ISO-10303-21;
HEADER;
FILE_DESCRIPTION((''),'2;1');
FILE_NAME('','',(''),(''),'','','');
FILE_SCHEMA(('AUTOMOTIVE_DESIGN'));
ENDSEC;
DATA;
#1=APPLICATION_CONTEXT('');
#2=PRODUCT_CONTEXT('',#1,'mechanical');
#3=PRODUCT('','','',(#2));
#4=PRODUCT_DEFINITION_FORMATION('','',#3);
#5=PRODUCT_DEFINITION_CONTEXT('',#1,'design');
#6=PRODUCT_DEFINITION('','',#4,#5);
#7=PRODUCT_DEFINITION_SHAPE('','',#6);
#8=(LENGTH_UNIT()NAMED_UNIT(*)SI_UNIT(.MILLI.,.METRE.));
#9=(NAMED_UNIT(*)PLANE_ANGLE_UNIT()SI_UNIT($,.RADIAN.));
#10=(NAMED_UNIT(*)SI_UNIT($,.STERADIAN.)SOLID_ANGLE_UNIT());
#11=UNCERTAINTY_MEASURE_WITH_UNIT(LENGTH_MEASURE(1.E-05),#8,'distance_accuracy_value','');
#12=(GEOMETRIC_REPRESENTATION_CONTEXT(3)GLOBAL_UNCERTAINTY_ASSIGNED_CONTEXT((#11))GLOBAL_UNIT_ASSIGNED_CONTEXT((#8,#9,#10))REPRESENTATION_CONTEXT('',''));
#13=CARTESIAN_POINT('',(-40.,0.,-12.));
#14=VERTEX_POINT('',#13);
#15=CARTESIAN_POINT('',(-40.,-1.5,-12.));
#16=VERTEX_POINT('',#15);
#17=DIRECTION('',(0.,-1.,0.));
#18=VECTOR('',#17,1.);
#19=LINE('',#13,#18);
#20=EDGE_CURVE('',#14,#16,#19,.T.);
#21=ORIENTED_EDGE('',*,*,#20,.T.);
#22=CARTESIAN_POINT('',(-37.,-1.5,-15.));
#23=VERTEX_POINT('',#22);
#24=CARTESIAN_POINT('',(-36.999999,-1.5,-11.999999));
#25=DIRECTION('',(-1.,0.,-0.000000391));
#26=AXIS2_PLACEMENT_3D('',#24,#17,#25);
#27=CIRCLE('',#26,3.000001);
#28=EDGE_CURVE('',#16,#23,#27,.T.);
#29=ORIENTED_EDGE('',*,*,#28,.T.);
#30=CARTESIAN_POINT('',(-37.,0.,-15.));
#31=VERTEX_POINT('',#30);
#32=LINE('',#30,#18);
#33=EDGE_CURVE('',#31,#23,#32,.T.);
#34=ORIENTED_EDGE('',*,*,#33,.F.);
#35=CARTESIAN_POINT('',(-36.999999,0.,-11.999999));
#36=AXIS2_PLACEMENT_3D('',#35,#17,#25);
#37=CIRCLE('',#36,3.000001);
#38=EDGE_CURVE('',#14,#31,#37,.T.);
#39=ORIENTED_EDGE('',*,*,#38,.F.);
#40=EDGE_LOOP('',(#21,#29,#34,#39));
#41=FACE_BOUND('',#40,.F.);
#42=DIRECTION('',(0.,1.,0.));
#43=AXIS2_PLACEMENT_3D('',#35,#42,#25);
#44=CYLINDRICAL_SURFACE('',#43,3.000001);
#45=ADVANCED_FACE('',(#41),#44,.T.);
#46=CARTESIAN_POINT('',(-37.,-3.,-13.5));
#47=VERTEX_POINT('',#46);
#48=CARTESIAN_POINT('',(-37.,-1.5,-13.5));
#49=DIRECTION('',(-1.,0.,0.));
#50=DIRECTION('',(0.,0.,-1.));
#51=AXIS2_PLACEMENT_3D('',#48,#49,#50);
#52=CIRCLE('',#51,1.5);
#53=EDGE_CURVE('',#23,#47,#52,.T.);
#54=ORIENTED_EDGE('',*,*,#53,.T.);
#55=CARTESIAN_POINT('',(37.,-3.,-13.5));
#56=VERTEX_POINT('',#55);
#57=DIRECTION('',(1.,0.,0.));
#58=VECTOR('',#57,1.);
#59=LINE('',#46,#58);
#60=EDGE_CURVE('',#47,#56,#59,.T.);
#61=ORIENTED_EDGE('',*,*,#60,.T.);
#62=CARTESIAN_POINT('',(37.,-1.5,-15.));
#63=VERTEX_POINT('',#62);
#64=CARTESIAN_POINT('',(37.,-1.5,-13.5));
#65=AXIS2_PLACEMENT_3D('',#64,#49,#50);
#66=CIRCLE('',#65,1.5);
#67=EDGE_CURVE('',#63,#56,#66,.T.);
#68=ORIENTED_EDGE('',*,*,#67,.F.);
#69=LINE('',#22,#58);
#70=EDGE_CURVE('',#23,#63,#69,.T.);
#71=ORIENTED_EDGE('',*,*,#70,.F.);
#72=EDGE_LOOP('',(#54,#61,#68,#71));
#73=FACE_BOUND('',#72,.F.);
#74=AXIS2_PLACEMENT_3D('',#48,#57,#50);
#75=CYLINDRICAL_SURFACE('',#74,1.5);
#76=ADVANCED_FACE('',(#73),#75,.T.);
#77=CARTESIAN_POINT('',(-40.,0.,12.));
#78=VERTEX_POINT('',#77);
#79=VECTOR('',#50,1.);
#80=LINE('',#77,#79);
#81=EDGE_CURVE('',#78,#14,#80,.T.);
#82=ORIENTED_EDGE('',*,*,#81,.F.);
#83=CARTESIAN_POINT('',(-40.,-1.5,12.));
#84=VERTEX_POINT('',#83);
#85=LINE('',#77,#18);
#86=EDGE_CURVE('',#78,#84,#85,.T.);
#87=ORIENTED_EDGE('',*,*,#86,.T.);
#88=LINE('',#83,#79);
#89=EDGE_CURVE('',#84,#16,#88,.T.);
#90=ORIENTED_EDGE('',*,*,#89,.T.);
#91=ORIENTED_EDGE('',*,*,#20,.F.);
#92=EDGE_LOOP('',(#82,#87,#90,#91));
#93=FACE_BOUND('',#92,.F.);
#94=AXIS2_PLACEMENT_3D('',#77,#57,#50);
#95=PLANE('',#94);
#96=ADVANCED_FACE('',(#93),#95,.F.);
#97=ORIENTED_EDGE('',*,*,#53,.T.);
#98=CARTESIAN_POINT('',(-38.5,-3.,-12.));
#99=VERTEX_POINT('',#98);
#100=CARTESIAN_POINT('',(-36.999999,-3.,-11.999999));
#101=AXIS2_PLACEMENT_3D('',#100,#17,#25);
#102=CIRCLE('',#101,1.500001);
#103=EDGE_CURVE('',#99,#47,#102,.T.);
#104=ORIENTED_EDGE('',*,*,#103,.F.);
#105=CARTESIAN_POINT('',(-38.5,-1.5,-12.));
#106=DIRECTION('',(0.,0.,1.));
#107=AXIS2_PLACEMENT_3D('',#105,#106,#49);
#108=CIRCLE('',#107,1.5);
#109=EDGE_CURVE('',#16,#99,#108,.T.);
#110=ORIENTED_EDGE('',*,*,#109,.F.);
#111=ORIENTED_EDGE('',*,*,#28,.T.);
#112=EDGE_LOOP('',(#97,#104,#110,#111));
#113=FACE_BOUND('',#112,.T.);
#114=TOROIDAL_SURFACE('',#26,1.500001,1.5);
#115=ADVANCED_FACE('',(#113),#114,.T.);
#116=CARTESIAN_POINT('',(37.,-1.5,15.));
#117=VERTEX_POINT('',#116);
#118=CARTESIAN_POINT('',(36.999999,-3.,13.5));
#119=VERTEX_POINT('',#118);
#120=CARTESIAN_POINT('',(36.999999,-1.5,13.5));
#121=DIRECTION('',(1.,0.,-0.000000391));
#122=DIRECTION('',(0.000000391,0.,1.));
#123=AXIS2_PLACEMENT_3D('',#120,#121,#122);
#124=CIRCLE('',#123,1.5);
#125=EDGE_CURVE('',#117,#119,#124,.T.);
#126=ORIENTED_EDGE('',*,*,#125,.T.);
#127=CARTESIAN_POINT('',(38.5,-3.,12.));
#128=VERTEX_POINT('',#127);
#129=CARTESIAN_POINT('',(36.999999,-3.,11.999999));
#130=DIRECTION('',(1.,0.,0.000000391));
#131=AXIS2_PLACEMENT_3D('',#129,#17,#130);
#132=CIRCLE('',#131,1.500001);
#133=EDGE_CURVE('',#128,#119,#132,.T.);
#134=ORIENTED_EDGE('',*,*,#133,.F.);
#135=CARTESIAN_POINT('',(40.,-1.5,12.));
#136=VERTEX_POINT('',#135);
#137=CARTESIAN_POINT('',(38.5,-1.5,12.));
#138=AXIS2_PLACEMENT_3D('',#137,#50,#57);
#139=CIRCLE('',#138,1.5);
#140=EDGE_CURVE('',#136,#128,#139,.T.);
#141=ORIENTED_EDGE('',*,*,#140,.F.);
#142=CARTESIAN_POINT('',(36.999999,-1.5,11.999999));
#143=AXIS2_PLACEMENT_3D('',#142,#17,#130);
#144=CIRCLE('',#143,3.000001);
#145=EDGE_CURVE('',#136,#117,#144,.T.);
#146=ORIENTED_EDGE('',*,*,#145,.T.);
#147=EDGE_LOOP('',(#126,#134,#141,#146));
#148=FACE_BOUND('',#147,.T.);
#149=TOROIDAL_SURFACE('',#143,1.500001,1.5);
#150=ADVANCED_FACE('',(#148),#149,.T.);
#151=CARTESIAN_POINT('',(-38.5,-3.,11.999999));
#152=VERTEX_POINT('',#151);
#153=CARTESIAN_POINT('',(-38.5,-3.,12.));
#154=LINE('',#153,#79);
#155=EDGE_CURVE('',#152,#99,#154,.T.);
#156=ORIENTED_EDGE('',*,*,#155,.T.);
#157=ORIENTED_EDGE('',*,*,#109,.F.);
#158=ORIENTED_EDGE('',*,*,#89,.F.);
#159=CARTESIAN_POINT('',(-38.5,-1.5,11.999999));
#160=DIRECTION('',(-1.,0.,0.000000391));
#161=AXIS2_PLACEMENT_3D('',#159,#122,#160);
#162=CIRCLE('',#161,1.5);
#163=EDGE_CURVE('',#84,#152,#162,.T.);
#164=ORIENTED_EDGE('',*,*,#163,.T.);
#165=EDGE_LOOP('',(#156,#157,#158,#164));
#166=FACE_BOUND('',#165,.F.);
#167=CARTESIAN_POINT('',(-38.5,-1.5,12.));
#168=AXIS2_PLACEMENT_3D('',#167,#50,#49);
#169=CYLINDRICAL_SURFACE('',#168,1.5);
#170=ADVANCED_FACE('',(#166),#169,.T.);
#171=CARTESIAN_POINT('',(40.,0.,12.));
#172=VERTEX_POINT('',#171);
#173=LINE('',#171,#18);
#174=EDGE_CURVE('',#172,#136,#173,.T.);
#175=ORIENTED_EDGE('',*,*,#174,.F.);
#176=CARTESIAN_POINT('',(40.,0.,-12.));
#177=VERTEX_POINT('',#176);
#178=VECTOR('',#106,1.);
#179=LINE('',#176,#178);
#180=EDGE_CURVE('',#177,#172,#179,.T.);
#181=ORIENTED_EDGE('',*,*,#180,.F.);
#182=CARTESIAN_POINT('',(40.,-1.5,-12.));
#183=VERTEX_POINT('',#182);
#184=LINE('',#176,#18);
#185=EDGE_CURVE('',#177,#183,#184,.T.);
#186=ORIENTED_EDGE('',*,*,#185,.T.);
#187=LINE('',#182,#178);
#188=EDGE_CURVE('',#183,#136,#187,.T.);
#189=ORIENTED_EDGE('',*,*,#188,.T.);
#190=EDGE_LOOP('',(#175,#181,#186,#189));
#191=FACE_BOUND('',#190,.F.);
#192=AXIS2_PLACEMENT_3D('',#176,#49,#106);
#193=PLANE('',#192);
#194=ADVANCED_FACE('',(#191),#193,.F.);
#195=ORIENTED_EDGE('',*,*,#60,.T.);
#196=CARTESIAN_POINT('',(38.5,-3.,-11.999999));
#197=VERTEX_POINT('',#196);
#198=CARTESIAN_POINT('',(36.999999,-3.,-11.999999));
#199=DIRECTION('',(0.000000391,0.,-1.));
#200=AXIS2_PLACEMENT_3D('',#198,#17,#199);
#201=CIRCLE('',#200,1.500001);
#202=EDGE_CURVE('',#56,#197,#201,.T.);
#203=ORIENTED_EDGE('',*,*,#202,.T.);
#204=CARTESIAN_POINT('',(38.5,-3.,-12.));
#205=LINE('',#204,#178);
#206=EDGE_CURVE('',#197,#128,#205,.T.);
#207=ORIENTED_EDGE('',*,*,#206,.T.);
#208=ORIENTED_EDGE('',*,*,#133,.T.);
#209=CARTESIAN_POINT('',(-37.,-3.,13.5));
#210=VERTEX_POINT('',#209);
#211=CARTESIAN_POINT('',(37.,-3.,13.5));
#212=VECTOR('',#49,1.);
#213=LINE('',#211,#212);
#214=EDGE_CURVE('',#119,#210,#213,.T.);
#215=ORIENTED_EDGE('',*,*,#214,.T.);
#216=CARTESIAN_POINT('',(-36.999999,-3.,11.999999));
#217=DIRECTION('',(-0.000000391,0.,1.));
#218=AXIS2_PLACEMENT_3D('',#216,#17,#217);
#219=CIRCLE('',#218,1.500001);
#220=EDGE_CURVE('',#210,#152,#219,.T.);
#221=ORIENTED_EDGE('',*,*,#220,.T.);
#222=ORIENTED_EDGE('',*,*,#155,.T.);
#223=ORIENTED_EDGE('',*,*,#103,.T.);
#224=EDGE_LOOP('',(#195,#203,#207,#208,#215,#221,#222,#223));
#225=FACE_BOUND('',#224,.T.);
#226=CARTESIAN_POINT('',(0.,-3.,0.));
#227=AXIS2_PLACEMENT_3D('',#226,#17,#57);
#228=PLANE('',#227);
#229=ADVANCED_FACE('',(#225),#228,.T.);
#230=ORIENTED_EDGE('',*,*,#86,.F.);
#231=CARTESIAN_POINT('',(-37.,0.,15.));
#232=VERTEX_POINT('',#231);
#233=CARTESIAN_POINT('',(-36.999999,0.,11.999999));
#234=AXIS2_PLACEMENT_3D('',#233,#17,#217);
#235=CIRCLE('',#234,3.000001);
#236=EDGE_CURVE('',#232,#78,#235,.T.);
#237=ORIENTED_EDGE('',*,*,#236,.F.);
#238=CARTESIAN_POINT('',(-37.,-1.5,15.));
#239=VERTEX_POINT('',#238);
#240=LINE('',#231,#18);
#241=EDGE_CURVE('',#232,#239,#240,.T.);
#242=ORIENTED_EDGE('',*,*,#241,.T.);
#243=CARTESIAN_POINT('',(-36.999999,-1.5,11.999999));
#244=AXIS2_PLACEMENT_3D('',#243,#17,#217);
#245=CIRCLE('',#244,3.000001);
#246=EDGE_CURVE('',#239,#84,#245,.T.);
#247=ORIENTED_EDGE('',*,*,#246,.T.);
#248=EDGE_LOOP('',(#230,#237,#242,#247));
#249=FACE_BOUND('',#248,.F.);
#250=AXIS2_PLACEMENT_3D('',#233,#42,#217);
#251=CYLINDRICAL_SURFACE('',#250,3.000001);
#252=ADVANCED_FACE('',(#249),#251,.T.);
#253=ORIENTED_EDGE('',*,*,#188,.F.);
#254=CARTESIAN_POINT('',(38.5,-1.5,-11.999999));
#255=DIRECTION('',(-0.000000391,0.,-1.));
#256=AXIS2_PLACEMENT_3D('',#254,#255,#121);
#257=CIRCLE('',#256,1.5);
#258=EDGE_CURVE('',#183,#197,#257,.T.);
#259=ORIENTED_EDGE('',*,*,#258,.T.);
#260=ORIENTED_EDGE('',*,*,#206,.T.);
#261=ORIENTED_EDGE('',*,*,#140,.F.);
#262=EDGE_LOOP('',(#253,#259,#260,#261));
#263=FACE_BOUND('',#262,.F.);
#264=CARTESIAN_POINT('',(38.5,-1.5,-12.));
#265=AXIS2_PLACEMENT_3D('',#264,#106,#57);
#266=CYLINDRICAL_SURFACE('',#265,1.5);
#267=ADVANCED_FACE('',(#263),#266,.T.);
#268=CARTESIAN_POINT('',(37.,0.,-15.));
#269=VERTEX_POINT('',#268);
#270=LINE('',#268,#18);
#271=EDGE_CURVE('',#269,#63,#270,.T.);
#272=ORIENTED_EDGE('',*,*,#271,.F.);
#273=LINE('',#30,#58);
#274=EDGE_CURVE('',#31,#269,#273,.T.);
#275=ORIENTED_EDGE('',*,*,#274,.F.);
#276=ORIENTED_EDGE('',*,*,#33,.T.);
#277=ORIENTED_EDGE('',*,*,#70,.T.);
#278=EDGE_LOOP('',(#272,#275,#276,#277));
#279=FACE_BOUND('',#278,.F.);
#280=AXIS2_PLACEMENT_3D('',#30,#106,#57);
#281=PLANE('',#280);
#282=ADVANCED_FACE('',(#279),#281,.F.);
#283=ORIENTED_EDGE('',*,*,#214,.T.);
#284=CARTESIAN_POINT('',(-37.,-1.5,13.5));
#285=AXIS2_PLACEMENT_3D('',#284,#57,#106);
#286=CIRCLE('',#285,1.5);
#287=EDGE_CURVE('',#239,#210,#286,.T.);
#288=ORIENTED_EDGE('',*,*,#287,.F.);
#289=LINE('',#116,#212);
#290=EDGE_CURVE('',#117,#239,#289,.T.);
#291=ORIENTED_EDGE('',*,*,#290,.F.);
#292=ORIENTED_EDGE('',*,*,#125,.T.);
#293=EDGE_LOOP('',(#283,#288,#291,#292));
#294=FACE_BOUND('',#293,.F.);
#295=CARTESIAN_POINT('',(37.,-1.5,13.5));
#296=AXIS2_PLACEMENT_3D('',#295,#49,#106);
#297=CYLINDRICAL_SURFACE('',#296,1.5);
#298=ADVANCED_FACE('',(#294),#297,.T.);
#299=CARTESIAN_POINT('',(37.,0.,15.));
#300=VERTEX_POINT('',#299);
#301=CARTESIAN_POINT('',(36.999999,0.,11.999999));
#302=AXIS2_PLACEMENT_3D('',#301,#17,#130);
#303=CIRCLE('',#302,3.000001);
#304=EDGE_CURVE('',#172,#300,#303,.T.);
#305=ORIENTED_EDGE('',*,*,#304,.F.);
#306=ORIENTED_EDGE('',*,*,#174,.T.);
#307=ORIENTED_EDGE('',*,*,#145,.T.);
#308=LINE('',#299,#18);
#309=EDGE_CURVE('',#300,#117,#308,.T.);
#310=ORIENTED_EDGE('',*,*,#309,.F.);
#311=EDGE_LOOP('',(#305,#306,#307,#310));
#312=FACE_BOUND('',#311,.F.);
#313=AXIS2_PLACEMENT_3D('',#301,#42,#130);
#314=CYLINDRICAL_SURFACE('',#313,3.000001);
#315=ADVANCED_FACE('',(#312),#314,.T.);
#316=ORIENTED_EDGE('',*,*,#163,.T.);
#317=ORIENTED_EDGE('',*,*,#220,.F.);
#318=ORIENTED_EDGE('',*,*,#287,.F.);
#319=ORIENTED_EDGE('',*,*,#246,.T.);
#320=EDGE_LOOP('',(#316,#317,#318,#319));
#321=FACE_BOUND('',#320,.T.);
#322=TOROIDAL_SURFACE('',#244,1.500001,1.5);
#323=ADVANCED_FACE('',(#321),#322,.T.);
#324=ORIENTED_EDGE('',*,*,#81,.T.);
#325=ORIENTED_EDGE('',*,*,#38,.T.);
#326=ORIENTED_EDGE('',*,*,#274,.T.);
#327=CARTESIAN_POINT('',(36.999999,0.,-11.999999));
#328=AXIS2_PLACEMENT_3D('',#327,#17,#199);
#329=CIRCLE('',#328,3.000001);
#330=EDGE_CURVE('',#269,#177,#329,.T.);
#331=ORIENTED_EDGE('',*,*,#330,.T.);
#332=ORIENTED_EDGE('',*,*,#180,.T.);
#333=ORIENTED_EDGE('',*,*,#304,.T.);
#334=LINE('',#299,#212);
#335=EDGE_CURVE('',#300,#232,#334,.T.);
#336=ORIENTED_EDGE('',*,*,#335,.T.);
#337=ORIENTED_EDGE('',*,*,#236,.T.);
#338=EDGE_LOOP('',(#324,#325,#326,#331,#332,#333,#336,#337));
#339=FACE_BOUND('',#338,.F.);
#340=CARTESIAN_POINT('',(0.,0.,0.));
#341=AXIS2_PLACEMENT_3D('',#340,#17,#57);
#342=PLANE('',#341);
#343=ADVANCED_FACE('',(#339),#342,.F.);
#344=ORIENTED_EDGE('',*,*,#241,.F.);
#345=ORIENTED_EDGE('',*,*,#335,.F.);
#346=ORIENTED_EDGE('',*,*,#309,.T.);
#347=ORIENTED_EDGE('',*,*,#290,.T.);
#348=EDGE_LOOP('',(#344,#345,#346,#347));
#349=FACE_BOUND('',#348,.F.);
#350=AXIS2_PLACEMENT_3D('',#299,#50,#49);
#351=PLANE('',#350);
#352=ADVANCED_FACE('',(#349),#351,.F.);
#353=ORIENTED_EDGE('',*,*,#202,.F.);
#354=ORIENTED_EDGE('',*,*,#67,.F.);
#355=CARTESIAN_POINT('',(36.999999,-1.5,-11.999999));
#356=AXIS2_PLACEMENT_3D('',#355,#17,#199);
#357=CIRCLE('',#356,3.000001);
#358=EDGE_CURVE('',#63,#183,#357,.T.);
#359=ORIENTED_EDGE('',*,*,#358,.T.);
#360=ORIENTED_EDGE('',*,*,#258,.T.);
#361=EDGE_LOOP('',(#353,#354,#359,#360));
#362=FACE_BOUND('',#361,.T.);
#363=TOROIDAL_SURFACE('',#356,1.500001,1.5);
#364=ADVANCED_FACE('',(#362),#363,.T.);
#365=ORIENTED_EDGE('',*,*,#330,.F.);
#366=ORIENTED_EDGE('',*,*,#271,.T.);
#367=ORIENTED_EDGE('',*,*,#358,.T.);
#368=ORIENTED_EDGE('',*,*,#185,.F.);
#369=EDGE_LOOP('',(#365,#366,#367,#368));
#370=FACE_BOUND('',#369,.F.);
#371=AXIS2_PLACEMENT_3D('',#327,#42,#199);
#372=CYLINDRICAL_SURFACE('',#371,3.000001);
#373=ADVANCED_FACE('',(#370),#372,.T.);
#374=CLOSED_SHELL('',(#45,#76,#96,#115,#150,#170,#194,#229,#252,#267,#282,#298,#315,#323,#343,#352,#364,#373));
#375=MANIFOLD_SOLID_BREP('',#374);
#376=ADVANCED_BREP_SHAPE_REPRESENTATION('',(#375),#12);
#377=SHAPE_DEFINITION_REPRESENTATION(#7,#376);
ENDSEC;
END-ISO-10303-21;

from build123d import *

# Parameters (mm, degrees)
F1_DEPTH = 3
F2_R     = 1.5


with BuildPart() as f1:
    # F0 (on Front) → F1 (new body)
    with BuildSketch(Plane.XZ):
        with BuildLine():
            Line((-37, -15), (37, -15))
            ThreePointArc((37, -15), (39.12132, -14.12132), (40, -12))
            Line((40, -12), (40, 12))
            ThreePointArc((40, 12), (39.12132, 14.12132), (37, 15))
            Line((37, 15), (-37, 15))
            ThreePointArc((-37, 15), (-39.12132, 14.12132), (-40, 12))
            Line((-40, 12), (-40, -12))
            ThreePointArc((-40, -12), (-39.12132, -14.12132), (-37, -15))
        make_face()
    extrude(amount=F1_DEPTH)

    # F2
    f2_edges = [f1.edges().sort_by_distance(p)[0] for p in [
        (0, -3, -15),
    ]]
    fillet(f2_edges, radius=F2_R)


solid = f1.part
